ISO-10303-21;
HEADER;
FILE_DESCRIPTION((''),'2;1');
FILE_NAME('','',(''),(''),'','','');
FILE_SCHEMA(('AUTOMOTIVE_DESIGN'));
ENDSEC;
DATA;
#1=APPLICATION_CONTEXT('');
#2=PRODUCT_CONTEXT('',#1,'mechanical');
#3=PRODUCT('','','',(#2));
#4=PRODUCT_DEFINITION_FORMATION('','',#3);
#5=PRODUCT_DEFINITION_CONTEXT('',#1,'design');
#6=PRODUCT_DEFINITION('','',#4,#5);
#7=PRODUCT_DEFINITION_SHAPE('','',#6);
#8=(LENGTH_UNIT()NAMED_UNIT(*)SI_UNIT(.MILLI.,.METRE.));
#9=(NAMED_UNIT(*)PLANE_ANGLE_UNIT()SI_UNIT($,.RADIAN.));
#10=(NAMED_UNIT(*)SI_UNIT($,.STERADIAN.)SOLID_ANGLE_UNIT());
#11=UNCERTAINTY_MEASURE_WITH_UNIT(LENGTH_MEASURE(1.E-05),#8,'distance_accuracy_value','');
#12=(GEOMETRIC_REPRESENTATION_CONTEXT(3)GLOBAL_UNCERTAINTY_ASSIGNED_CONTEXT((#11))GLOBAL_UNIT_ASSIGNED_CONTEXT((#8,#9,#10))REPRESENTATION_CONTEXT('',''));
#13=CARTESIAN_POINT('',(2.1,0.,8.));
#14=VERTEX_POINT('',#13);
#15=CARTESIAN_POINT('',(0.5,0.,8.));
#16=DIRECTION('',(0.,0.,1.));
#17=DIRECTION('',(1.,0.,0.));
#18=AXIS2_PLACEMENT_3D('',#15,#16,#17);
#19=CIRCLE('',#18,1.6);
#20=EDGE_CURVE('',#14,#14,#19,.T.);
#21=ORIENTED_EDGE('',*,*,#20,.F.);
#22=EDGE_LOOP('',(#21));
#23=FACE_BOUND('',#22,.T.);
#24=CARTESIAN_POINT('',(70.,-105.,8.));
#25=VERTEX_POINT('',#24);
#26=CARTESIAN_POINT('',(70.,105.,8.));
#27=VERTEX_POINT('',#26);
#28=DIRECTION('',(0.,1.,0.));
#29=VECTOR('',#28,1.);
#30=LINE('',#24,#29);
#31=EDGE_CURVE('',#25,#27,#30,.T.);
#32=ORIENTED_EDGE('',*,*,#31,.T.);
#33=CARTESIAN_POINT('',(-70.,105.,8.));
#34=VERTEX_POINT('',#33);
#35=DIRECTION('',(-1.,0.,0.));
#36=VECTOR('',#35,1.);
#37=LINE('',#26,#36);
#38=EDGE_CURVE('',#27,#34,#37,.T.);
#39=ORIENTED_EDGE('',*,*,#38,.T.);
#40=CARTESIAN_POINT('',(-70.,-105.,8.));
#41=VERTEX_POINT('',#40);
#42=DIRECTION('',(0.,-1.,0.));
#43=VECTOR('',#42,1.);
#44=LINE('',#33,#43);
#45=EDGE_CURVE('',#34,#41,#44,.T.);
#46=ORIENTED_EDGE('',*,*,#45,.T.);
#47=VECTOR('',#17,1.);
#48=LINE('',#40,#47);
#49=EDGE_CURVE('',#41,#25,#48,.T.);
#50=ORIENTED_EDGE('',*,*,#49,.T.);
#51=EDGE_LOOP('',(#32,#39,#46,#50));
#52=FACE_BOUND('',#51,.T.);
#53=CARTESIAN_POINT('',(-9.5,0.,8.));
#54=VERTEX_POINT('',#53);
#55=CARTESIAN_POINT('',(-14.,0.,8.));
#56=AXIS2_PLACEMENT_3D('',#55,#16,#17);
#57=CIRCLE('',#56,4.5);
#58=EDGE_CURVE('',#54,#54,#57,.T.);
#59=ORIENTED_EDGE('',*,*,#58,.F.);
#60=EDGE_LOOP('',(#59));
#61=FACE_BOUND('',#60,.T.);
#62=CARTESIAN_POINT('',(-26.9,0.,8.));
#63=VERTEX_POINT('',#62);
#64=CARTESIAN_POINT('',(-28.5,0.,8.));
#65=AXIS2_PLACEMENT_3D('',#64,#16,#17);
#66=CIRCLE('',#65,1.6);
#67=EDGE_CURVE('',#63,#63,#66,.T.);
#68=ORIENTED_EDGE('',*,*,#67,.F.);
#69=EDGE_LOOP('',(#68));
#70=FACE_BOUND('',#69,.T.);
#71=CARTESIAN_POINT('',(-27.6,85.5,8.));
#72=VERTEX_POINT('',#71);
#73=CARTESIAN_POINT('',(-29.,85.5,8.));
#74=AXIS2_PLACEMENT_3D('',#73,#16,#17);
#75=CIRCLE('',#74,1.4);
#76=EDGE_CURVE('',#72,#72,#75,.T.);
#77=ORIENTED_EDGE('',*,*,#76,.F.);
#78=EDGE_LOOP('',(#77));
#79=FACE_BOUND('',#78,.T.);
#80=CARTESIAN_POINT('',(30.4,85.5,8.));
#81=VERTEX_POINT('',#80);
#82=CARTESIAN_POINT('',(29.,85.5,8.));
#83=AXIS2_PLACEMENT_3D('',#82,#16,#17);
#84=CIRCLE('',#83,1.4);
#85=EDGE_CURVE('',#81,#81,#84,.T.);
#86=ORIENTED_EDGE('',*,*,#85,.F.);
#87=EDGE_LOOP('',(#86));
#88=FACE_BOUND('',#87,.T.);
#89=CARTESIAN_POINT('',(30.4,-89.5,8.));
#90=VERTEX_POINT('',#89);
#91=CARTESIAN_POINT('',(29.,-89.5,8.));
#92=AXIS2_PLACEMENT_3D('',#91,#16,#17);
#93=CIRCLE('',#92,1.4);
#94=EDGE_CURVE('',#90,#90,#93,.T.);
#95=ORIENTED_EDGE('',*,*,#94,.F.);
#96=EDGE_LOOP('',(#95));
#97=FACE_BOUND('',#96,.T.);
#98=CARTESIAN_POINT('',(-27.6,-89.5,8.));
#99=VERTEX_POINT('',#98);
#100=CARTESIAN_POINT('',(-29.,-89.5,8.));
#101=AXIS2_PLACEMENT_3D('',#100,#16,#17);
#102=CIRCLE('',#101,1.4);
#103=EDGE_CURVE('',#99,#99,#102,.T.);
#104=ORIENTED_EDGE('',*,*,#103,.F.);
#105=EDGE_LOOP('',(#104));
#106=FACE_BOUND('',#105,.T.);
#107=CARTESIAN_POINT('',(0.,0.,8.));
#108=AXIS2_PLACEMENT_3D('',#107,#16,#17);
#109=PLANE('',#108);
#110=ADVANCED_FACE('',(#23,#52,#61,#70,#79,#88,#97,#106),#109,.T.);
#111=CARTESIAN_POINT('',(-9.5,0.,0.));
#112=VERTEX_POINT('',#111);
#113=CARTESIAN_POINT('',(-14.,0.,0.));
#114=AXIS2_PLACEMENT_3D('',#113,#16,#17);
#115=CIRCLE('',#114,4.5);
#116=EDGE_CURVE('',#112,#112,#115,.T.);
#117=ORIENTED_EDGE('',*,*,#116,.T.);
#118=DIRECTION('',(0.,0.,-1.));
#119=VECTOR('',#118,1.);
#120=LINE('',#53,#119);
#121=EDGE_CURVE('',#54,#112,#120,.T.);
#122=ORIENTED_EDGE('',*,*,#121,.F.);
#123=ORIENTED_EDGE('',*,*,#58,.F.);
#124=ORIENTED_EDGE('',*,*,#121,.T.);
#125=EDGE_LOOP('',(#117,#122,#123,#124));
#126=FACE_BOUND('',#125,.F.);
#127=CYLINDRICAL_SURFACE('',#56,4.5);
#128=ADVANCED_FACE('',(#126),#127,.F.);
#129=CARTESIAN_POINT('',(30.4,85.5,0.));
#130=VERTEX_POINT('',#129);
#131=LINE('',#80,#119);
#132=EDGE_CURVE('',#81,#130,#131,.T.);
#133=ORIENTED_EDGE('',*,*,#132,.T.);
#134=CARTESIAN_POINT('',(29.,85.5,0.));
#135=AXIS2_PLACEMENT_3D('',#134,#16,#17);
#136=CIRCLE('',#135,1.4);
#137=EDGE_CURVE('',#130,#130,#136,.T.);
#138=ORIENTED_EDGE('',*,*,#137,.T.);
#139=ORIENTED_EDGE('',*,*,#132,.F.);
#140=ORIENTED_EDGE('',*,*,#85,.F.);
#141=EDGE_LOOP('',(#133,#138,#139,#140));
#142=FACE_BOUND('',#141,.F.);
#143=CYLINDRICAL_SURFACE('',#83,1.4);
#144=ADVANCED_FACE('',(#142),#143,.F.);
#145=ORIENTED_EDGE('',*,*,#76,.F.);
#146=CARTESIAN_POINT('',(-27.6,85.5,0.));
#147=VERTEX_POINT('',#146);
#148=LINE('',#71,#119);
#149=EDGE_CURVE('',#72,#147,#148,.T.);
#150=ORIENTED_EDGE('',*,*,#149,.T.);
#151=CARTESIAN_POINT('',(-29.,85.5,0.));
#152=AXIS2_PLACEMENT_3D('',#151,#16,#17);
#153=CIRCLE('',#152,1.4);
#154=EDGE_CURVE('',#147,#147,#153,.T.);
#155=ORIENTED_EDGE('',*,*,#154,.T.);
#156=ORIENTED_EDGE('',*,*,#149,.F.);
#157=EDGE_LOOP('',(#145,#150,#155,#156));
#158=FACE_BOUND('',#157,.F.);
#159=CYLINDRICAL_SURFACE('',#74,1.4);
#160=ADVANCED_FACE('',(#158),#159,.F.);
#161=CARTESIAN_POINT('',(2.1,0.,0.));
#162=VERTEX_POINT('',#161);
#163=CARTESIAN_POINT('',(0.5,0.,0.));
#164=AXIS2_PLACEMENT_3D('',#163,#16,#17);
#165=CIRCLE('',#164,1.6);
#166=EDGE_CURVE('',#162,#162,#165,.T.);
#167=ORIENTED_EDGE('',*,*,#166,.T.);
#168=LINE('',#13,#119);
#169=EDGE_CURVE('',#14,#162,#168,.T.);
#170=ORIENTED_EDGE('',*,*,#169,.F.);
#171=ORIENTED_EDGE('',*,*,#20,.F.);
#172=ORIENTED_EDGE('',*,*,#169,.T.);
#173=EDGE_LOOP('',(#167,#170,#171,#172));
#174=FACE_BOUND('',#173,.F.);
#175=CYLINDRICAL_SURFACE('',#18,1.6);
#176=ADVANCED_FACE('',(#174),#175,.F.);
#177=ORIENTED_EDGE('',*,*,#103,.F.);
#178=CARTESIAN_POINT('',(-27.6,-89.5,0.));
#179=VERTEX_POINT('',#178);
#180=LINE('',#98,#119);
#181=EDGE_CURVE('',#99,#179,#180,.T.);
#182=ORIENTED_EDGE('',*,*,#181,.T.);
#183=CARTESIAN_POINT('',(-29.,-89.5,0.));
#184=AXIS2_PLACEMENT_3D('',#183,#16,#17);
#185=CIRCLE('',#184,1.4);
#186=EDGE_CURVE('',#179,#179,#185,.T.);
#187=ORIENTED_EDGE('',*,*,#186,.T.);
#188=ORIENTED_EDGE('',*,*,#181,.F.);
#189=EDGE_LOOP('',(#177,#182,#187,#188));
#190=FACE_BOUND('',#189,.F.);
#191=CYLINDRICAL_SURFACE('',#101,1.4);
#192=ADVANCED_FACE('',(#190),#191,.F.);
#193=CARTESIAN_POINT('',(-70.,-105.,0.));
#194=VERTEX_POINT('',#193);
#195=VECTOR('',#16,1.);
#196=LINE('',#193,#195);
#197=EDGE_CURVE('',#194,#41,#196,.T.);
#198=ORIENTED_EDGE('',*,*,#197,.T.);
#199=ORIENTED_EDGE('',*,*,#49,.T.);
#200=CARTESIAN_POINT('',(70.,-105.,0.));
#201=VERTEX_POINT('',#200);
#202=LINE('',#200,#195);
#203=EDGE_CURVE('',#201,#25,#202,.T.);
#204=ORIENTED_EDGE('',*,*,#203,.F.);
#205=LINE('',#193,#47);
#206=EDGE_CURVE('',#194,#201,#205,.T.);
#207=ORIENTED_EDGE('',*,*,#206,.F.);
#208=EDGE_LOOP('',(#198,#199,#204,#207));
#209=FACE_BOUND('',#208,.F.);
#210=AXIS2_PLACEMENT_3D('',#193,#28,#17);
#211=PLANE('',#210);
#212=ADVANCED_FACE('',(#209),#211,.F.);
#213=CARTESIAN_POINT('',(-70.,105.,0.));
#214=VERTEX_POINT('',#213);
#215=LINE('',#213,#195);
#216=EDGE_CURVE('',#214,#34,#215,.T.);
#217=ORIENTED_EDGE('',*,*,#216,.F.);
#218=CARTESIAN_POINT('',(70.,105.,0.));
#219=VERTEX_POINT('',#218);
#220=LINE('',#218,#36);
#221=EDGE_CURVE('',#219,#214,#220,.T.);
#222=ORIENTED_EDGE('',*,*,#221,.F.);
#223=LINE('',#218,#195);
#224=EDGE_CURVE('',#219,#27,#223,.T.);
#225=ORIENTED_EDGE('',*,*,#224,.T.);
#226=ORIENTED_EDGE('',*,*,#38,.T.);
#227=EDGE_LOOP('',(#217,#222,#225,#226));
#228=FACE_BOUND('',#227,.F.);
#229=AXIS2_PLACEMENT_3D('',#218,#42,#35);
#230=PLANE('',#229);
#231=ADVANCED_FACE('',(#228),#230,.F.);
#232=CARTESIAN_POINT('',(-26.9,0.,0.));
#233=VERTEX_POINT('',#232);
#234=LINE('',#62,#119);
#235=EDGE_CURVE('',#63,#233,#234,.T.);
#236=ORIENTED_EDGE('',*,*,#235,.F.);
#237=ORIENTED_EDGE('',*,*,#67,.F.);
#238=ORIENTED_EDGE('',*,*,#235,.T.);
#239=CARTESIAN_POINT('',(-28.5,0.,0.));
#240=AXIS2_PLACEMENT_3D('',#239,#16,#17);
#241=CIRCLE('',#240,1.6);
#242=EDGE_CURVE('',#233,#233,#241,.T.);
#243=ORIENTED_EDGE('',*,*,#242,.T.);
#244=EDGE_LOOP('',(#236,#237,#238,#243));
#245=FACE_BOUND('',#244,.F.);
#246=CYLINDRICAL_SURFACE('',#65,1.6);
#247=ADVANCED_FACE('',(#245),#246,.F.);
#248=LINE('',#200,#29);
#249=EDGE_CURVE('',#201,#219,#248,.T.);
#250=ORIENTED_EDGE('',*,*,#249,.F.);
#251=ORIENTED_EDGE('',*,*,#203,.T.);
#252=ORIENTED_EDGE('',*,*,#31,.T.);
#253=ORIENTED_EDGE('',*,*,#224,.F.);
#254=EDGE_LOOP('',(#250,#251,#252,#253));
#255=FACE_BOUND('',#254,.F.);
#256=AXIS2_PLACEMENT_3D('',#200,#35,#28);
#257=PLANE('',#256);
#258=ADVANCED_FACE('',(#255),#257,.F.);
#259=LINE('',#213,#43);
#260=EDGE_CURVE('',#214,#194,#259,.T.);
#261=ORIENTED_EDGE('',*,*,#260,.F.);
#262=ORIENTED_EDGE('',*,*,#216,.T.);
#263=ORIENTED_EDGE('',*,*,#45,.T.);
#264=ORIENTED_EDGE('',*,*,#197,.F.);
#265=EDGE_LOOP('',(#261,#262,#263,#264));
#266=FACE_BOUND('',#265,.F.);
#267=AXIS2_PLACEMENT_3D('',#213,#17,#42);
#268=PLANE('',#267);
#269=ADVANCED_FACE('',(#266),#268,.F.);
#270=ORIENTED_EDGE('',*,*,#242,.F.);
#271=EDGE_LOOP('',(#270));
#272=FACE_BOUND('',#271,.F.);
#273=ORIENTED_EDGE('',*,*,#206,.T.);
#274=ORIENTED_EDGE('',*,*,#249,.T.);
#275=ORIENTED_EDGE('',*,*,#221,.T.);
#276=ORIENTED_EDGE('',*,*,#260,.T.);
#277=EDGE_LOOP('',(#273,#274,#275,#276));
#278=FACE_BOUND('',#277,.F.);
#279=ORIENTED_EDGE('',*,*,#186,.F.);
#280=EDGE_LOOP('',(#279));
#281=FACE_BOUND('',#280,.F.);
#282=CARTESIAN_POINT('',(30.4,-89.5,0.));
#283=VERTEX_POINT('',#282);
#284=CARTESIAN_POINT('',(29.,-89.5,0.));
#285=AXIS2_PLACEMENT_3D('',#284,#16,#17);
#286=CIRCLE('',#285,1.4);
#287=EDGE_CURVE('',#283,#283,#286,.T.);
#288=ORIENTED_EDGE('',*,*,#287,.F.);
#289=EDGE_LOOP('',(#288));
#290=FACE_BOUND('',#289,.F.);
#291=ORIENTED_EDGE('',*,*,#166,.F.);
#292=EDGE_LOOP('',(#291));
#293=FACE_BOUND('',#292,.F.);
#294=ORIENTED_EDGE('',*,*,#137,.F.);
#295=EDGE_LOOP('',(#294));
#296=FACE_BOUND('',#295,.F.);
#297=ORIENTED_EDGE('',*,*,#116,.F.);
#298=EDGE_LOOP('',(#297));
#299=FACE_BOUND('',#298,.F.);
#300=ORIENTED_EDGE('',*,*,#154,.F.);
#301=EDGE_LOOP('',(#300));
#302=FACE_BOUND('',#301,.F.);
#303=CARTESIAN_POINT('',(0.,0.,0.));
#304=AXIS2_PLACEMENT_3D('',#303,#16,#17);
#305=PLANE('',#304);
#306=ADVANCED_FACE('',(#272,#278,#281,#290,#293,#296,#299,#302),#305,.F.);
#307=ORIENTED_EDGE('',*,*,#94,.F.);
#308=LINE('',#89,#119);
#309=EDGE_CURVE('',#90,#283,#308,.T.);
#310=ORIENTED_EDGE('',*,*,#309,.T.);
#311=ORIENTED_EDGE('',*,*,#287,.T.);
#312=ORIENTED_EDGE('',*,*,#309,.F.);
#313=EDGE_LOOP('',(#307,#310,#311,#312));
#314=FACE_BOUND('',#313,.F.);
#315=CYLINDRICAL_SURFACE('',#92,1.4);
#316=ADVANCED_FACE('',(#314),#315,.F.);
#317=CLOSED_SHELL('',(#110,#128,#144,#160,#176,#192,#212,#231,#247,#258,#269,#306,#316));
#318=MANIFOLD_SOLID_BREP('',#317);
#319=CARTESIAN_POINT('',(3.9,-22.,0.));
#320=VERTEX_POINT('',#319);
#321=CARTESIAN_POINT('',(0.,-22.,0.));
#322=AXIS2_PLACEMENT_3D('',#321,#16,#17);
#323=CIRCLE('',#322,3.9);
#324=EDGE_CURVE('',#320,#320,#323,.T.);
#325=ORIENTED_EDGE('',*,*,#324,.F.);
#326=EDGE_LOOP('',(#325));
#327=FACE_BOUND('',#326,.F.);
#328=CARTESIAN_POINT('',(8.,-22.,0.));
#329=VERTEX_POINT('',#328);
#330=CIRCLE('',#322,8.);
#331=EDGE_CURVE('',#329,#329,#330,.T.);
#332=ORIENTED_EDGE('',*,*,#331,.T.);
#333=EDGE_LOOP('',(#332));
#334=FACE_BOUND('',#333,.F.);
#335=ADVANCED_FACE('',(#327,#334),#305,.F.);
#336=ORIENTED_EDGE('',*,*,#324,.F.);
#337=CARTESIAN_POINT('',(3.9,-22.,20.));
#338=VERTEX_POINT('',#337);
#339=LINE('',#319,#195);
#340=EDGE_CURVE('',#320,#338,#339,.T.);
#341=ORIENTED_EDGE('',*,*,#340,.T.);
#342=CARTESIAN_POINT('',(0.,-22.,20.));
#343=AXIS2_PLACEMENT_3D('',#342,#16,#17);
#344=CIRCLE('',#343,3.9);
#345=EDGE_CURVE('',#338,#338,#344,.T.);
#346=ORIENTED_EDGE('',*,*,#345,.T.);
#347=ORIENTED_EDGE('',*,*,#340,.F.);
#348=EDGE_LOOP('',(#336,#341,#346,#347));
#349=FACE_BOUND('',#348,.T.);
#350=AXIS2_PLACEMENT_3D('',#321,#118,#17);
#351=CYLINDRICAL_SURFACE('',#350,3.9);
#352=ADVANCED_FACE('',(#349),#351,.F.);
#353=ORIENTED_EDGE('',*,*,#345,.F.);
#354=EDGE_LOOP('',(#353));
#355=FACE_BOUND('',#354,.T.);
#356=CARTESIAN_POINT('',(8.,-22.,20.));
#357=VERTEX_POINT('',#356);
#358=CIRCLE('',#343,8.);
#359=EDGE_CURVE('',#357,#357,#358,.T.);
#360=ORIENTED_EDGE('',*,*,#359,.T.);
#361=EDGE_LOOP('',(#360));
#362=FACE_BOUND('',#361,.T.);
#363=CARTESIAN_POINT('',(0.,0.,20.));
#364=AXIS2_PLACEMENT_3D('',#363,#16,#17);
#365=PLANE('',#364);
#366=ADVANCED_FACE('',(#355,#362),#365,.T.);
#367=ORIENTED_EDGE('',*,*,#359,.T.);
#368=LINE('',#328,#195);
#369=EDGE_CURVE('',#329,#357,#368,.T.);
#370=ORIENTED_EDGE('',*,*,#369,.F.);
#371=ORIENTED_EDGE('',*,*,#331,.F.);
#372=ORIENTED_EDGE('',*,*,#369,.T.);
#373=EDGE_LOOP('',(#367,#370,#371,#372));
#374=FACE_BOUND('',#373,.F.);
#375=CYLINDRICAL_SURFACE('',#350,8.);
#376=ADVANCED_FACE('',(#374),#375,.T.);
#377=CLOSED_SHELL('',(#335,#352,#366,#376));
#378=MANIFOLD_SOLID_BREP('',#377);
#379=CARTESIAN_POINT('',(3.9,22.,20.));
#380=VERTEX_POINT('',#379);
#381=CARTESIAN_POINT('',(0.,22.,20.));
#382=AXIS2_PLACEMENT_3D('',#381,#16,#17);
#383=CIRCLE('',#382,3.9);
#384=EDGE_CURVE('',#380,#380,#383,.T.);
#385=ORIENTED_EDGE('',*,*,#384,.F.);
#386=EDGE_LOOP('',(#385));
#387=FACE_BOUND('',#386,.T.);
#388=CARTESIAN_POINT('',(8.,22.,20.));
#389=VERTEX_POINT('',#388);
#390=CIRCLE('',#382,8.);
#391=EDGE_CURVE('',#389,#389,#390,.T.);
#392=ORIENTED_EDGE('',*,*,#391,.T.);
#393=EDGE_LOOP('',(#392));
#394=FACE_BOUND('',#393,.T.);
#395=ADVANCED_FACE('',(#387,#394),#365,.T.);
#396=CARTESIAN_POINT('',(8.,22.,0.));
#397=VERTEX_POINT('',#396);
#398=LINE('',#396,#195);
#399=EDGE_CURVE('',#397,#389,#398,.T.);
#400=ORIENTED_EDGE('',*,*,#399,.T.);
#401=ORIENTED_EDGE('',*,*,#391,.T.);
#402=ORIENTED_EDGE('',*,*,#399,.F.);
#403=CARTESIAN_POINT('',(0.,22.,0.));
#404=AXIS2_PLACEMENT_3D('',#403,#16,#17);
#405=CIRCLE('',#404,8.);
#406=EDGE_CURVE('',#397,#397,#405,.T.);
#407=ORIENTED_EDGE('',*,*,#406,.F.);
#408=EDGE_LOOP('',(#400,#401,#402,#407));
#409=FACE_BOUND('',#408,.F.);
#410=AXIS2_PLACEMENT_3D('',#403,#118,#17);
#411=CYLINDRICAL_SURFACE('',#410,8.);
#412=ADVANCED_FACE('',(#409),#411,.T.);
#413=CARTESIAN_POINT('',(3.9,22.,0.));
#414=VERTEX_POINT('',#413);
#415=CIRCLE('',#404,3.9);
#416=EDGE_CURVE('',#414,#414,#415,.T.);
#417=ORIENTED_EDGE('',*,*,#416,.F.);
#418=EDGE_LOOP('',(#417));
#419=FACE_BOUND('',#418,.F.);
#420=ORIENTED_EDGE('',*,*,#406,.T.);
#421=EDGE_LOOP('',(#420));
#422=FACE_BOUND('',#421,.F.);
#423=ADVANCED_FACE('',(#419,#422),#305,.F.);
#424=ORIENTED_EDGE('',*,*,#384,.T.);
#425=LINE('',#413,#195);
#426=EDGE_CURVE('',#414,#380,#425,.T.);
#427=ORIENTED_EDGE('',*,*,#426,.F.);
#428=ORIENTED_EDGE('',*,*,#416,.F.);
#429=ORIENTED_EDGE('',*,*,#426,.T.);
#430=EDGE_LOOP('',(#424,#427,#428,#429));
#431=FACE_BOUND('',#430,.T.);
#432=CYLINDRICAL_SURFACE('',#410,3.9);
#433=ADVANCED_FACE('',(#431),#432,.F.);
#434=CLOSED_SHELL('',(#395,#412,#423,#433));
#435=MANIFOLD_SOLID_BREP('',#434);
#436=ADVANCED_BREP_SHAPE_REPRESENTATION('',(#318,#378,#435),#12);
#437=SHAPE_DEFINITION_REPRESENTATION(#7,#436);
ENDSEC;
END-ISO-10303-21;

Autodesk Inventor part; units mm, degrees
ref_plane "YZ Plane" through (0, 0, 0) normal (1, 0, 0) x (0, 1, 0)
ref_plane "XZ Plane" through (0, 0, 0) normal (0, 1, 0) x (-1, 0, 0)
sketch "Skizze1" plane through (0, 0, 0) normal (0, 0, 1) x (1, 0, 0)
  line L0 (-70, -105) -> (70, -105)
  line L1 (70, -105) -> (70, 105)
  line L2 (70, 105) -> (-70, 105)
  line L3 (-70, 105) -> (-70, -105)
extrude "Extrusion1" add sketch "Skizze1" along normal blind 8
ref_plane "Arbeitsebene1" through (0, 0, 8) normal (0, 0, 1) x (1, 0, 0)
sketch "Skizze2" plane through (0, 0, 8) normal (0, 0, 1) x (1, 0, 0)
  circle A0 centre (-14, 0) radius 4.5
extrude "Extrusion2" cut sketch "Skizze2" against normal blind 8.2
sketch "Skizze3" plane through (0, 0, 8) normal (0, 0, 1) x (1, 0, 0)
  circle A0 centre (-28.5, 0) radius 1.6
extrude "Extrusion3" cut sketch "Skizze3" against normal blind 8.2
sketch "Skizze4" plane through (0, 0, 8) normal (0, 0, 1) x (1, 0, 0)
  circle A0 centre (0.5, 0) radius 1.6
extrude "Extrusion4" cut sketch "Skizze4" against normal blind 8.2
sketch "Skizze5" plane through (0, 0, 8) normal (0, 0, 1) x (1, 0, 0)
  circle A0 centre (-29, -89.5) radius 1.4
extrude "Extrusion5" cut sketch "Skizze5" against normal blind 8.2
sketch "Skizze6" plane through (0, 0, 8) normal (0, 0, 1) x (1, 0, 0)
  circle A0 centre (29, -89.5) radius 1.4
extrude "Extrusion6" cut sketch "Skizze6" against normal blind 8.2
sketch "Skizze7" plane through (0, 0, 8) normal (0, 0, 1) x (1, 0, 0)
  circle A0 centre (-29, 85.5) radius 1.4
extrude "Extrusion7" cut sketch "Skizze7" against normal blind 8.2
sketch "Skizze8" plane through (0, 0, 8) normal (0, 0, 1) x (1, 0, 0)
  circle A0 centre (29, 85.5) radius 1.4
extrude "Extrusion8" cut sketch "Skizze8" against normal blind 8.2
sketch "Skizze9" plane through (0, 0, 0) normal (0, 0, 1) x (1, 0, 0)
  circle A0 centre (0, -22) radius 8
  circle A1 centre (0, -22) radius 3.9
extrude "Extrusion9" add sketch "Skizze9" along normal blind 20 separate body
sketch "Skizze10" plane through (0, 0, 0) normal (0, 0, 1) x (1, 0, 0)
  circle A0 centre (0, 22) radius 8
  circle A1 centre (0, 22) radius 3.9
extrude "Extrusion10" add sketch "Skizze10" along normal blind 20 separate body
properties part number "Grundplatte_v4"
